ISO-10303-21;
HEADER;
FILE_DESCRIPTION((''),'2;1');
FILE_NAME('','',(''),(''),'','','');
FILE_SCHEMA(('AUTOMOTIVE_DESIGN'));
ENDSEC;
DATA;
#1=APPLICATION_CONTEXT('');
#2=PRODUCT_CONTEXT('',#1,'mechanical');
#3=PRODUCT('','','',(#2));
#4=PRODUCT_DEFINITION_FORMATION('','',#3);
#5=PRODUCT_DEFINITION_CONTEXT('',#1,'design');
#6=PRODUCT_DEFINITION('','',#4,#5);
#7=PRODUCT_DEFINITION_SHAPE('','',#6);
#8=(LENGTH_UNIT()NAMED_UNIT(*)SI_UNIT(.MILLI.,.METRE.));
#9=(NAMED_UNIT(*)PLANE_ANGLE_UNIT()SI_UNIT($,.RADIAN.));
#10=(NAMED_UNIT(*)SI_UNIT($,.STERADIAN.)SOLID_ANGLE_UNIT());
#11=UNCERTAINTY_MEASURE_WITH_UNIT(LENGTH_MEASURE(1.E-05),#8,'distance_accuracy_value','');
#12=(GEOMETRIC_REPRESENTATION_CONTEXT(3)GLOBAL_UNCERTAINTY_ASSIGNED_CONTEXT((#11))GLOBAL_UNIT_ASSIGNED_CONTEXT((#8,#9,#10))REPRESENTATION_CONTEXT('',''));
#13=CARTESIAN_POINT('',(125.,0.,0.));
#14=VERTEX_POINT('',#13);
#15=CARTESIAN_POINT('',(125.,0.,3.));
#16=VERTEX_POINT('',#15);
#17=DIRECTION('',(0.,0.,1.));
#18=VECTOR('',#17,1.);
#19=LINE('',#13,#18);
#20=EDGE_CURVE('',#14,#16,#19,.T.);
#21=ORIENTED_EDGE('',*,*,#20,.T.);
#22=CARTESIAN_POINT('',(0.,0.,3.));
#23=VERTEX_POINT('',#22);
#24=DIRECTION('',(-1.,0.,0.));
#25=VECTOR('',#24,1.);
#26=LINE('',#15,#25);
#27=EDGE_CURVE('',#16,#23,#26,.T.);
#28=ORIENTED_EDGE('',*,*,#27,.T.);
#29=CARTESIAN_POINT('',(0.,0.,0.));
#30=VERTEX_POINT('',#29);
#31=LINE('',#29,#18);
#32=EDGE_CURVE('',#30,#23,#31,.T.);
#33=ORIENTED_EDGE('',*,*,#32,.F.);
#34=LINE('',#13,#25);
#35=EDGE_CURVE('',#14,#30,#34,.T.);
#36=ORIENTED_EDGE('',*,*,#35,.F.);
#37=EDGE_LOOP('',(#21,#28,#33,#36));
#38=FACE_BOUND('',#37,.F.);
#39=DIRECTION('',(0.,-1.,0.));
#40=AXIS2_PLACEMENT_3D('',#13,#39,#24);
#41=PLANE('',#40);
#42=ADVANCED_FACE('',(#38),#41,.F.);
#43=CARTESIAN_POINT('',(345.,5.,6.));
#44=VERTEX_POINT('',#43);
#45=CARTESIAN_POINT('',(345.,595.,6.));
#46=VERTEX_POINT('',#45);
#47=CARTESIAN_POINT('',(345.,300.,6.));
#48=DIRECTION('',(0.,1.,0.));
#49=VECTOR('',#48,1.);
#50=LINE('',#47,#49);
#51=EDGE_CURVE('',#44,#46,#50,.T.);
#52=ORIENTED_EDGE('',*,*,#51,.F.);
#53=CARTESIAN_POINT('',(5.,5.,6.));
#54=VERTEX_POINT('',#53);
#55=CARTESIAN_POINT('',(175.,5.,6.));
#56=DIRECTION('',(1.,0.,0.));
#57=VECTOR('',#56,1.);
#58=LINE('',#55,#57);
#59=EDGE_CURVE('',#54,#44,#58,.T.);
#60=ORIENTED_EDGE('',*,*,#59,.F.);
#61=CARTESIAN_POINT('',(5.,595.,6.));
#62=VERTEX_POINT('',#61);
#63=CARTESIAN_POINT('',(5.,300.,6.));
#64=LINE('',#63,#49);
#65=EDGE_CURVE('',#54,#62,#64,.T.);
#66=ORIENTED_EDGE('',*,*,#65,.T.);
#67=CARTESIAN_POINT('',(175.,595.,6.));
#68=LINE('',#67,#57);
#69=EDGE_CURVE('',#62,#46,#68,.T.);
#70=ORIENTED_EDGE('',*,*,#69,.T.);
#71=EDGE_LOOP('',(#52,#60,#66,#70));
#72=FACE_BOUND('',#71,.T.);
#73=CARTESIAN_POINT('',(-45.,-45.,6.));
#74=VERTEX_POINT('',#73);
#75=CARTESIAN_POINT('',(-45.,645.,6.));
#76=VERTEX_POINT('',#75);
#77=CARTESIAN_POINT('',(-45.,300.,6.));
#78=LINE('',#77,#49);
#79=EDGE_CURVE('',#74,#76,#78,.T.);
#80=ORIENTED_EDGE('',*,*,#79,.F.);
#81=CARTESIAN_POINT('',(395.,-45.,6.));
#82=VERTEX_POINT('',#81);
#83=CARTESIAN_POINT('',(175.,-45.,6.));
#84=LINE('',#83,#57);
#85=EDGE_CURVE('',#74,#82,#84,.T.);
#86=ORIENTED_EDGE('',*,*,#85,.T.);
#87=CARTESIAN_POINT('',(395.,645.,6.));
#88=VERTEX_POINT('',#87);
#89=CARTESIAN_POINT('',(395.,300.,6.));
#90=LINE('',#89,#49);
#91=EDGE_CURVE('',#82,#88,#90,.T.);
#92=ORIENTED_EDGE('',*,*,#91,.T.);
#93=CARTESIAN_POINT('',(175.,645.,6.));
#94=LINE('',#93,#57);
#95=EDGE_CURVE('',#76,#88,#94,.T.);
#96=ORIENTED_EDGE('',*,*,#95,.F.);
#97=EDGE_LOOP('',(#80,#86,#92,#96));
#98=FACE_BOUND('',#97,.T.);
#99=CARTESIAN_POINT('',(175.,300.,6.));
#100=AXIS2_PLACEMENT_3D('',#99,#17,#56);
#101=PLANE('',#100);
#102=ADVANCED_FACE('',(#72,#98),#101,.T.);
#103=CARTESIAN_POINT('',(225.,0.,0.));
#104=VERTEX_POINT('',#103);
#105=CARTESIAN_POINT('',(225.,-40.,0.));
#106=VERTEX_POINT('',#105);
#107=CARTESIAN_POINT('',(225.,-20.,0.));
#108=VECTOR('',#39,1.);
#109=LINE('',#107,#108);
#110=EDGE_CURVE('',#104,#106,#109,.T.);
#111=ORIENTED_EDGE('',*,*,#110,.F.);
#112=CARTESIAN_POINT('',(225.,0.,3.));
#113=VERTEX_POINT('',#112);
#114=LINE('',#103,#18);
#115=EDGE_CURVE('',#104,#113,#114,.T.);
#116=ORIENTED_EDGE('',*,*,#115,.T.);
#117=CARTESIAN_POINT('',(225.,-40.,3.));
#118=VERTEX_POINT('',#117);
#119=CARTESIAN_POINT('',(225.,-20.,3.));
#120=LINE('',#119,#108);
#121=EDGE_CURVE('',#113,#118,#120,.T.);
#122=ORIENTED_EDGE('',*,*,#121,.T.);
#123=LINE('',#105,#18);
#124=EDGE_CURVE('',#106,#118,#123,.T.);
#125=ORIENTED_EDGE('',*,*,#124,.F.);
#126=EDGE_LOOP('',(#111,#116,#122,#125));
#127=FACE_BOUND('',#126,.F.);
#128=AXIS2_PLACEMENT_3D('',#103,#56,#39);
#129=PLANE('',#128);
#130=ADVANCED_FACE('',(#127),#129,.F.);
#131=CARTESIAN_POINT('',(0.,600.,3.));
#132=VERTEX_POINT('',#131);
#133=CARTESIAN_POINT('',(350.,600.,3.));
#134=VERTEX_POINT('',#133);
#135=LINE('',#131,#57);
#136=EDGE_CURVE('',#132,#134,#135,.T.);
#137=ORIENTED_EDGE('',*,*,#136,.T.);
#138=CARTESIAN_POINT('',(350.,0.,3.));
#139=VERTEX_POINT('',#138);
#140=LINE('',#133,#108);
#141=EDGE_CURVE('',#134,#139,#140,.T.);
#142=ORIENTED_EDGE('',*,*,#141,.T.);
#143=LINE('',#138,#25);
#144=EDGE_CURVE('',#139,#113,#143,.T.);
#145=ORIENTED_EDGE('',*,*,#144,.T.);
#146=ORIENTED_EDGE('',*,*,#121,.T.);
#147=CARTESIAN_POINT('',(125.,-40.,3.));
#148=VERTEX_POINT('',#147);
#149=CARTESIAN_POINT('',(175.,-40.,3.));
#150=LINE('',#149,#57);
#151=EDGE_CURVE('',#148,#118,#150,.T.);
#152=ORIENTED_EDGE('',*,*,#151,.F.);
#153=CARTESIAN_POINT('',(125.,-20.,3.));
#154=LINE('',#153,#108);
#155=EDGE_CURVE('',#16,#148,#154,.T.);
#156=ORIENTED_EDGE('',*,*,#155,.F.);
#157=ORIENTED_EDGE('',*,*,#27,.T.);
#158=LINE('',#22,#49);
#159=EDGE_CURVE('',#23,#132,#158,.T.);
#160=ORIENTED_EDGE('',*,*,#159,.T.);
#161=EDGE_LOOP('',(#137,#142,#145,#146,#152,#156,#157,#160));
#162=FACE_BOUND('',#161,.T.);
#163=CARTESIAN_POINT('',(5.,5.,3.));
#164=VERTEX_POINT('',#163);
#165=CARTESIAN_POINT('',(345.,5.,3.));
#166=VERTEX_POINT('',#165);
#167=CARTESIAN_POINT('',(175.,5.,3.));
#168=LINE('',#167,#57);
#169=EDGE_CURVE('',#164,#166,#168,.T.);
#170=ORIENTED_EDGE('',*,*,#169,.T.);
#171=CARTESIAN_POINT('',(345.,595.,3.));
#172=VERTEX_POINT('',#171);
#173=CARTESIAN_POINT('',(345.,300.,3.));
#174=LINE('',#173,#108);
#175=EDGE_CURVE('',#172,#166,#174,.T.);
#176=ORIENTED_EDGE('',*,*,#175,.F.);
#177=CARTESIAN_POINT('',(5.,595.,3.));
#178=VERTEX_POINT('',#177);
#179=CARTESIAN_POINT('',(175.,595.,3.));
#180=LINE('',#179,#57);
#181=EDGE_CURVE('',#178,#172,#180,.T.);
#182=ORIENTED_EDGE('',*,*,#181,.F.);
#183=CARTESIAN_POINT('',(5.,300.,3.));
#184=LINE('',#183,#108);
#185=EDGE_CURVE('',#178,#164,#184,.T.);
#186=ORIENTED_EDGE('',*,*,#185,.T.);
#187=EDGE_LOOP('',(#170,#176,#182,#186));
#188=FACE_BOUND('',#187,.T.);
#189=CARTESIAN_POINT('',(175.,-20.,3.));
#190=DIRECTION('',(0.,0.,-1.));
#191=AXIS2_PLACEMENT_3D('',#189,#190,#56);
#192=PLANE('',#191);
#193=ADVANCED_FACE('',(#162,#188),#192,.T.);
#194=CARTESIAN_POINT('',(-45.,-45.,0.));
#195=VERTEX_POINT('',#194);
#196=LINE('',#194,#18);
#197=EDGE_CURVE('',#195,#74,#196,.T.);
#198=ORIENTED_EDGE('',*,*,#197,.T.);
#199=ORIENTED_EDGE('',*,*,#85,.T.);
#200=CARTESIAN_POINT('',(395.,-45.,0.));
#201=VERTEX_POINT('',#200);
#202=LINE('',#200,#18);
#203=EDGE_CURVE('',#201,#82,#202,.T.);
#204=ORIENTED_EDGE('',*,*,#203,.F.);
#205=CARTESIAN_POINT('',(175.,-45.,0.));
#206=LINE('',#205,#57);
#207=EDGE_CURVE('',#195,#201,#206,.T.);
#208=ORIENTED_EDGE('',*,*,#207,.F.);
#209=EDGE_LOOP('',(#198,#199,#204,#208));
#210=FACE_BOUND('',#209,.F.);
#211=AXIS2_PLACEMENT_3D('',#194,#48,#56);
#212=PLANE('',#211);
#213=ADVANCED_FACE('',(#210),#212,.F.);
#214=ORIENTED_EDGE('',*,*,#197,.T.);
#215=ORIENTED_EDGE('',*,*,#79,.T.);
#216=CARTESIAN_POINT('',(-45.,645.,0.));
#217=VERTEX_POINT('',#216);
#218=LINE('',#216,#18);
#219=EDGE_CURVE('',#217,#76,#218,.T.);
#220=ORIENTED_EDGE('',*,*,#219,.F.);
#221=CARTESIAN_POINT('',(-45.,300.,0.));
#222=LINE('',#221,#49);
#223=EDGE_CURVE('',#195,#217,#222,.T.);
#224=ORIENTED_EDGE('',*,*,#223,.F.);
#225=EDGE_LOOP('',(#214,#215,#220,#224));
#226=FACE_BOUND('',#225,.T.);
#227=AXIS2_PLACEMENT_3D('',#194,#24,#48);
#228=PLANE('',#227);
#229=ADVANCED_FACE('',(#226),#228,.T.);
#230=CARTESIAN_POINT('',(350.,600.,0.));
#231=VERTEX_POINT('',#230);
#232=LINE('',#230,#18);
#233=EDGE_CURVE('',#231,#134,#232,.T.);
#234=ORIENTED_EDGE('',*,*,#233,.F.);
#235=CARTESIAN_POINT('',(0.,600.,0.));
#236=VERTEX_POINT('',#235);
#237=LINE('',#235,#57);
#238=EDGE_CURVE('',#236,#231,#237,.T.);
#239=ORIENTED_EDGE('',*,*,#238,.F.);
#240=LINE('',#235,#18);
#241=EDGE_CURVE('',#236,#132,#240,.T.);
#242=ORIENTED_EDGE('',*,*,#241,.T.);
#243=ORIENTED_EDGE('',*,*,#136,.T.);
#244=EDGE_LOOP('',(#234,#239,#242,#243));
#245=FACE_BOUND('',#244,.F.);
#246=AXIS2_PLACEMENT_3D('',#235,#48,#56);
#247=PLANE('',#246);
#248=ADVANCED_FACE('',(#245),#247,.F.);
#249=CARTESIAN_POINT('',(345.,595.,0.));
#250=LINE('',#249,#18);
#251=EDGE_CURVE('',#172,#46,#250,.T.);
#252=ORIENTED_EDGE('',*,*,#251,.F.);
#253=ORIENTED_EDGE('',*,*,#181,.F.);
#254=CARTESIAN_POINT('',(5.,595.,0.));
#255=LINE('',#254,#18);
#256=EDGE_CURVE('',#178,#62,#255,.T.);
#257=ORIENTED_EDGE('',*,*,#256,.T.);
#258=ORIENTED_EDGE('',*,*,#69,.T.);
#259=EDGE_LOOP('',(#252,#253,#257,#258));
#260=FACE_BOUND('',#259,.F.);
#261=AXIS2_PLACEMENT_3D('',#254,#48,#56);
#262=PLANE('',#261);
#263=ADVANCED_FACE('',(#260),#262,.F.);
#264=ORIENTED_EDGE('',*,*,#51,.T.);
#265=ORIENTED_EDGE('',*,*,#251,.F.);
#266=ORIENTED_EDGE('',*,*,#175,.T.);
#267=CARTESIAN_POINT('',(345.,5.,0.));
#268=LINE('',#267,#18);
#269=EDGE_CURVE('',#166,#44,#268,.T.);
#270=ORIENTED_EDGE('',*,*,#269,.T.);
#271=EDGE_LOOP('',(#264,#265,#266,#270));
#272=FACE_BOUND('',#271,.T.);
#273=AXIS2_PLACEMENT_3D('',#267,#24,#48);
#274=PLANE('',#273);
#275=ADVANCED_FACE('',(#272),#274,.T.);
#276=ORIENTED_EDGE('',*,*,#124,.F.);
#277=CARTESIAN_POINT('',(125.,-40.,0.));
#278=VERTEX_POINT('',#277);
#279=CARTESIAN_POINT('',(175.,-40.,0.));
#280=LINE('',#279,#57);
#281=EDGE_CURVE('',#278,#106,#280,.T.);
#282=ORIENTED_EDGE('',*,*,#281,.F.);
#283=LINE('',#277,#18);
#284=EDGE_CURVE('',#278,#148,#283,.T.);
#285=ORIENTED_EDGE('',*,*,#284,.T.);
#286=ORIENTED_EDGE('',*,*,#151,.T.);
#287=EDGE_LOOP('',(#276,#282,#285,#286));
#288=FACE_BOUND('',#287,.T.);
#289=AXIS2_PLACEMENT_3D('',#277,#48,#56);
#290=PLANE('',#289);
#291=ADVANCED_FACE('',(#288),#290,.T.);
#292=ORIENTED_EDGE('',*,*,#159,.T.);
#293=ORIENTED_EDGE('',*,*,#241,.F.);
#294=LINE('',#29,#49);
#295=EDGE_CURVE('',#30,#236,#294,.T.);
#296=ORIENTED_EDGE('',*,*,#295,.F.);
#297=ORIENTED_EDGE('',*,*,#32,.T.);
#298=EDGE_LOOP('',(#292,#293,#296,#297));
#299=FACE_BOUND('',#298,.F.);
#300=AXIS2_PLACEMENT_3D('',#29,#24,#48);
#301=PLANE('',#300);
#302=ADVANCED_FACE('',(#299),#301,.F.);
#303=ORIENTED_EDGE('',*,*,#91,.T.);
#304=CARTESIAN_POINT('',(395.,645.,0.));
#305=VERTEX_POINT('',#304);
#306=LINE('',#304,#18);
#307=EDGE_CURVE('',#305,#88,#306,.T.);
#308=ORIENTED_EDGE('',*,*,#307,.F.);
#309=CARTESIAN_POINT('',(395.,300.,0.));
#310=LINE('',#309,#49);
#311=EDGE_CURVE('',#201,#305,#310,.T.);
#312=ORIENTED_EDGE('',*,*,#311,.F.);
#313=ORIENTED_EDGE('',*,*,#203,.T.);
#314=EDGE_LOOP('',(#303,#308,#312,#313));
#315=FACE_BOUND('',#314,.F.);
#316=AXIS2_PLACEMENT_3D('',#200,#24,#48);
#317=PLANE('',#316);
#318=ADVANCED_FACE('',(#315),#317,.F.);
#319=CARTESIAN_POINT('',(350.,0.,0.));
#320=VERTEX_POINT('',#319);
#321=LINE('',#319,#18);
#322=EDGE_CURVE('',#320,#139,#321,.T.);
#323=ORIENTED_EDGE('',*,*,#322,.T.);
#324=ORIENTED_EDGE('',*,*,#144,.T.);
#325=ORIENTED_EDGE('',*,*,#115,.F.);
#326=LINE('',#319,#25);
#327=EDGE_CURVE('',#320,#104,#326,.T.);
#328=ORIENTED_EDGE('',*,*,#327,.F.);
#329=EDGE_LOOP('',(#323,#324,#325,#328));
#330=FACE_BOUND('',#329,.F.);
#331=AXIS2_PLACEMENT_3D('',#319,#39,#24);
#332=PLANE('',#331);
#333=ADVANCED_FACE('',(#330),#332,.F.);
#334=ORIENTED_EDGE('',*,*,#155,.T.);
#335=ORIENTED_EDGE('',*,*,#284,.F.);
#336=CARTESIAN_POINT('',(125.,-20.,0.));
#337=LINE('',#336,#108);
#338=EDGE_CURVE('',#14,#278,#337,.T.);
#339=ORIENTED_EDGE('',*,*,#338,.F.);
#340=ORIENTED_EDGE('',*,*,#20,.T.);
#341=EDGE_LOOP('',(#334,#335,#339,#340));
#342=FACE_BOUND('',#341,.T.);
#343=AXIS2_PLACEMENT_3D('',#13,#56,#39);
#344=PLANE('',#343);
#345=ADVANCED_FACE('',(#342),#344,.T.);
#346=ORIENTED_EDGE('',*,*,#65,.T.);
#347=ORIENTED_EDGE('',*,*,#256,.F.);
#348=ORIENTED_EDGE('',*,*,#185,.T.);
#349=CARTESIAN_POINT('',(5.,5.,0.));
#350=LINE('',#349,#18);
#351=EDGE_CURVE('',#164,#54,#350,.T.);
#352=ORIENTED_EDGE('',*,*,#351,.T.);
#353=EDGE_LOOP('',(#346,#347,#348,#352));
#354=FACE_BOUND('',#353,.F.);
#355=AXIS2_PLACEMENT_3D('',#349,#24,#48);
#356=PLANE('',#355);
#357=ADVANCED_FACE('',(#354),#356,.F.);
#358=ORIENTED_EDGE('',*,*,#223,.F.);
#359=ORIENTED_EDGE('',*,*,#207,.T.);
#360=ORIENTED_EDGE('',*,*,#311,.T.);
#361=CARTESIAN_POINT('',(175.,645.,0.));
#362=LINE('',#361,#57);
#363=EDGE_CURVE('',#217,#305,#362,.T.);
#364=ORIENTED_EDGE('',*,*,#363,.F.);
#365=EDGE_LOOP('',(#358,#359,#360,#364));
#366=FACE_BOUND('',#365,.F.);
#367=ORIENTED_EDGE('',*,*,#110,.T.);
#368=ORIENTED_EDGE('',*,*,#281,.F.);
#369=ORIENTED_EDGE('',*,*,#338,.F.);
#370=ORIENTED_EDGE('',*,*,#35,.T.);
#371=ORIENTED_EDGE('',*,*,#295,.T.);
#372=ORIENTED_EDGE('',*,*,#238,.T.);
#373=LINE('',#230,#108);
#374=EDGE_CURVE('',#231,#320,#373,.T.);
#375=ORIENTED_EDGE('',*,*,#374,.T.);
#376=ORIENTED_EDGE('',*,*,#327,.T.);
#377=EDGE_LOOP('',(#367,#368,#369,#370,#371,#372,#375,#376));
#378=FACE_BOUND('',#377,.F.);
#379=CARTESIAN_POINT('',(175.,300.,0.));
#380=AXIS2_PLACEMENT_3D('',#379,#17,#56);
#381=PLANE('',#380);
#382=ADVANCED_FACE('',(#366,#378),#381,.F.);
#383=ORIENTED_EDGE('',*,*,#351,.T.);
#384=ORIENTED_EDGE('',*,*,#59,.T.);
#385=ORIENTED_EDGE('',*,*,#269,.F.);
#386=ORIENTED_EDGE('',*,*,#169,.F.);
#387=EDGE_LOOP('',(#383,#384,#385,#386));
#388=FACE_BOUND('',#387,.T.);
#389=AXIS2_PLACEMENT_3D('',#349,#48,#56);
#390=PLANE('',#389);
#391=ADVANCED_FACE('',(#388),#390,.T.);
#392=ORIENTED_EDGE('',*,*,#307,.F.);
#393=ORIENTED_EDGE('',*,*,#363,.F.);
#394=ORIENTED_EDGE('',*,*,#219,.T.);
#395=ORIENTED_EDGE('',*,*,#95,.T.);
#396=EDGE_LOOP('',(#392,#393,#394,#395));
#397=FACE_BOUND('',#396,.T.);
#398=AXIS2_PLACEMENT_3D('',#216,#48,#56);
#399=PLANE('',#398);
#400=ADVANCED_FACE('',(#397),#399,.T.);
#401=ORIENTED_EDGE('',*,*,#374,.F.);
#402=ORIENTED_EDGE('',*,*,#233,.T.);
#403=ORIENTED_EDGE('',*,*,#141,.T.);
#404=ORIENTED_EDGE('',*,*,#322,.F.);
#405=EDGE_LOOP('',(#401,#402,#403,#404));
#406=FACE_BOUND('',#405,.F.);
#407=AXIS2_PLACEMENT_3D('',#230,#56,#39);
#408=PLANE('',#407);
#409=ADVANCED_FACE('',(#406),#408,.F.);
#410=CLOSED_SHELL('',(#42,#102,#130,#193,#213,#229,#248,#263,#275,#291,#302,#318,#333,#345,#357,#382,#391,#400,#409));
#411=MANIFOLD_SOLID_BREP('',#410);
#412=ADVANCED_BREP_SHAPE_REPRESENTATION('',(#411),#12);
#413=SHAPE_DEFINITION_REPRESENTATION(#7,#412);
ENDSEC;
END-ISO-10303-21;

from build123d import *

# Parameters (mm, degrees)
F0_W     = 440
F0_H     = 690
F0_W_2   = 340
F0_H_2   = 590
F1_DEPTH = 6
F2_W     = 100
F2_H     = 40
F2_W_2   = 340
F2_H_2   = 590
F3_DEPTH = 3


with BuildPart() as f1:
    # F0 (on Top) → F1 (new body)
    with BuildSketch(Plane.XY):
        with Locations((175, 300)):
            Rectangle(F0_W, F0_H)
        with Locations((175, 300)):
            Rectangle(F0_W_2, F0_H_2, mode=Mode.SUBTRACT)
    extrude(amount=F1_DEPTH)

    # F2 (on face) → F3 (cut)
    with BuildSketch(Plane(origin=(0, 0, 0), x_dir=(1, 0, 0), z_dir=(0, 0, -1))):
        with Locations((175, 20)):
            Rectangle(F2_W, F2_H)
        Polygon((0, -600), (350, -600), (350, 0), (225, 0), (125, 0), (0, 0), align=None)
        with Locations((175, -300)):
            Rectangle(F2_W_2, F2_H_2, mode=Mode.SUBTRACT)
    extrude(amount=-F3_DEPTH, mode=Mode.SUBTRACT)


solid = f1.part
